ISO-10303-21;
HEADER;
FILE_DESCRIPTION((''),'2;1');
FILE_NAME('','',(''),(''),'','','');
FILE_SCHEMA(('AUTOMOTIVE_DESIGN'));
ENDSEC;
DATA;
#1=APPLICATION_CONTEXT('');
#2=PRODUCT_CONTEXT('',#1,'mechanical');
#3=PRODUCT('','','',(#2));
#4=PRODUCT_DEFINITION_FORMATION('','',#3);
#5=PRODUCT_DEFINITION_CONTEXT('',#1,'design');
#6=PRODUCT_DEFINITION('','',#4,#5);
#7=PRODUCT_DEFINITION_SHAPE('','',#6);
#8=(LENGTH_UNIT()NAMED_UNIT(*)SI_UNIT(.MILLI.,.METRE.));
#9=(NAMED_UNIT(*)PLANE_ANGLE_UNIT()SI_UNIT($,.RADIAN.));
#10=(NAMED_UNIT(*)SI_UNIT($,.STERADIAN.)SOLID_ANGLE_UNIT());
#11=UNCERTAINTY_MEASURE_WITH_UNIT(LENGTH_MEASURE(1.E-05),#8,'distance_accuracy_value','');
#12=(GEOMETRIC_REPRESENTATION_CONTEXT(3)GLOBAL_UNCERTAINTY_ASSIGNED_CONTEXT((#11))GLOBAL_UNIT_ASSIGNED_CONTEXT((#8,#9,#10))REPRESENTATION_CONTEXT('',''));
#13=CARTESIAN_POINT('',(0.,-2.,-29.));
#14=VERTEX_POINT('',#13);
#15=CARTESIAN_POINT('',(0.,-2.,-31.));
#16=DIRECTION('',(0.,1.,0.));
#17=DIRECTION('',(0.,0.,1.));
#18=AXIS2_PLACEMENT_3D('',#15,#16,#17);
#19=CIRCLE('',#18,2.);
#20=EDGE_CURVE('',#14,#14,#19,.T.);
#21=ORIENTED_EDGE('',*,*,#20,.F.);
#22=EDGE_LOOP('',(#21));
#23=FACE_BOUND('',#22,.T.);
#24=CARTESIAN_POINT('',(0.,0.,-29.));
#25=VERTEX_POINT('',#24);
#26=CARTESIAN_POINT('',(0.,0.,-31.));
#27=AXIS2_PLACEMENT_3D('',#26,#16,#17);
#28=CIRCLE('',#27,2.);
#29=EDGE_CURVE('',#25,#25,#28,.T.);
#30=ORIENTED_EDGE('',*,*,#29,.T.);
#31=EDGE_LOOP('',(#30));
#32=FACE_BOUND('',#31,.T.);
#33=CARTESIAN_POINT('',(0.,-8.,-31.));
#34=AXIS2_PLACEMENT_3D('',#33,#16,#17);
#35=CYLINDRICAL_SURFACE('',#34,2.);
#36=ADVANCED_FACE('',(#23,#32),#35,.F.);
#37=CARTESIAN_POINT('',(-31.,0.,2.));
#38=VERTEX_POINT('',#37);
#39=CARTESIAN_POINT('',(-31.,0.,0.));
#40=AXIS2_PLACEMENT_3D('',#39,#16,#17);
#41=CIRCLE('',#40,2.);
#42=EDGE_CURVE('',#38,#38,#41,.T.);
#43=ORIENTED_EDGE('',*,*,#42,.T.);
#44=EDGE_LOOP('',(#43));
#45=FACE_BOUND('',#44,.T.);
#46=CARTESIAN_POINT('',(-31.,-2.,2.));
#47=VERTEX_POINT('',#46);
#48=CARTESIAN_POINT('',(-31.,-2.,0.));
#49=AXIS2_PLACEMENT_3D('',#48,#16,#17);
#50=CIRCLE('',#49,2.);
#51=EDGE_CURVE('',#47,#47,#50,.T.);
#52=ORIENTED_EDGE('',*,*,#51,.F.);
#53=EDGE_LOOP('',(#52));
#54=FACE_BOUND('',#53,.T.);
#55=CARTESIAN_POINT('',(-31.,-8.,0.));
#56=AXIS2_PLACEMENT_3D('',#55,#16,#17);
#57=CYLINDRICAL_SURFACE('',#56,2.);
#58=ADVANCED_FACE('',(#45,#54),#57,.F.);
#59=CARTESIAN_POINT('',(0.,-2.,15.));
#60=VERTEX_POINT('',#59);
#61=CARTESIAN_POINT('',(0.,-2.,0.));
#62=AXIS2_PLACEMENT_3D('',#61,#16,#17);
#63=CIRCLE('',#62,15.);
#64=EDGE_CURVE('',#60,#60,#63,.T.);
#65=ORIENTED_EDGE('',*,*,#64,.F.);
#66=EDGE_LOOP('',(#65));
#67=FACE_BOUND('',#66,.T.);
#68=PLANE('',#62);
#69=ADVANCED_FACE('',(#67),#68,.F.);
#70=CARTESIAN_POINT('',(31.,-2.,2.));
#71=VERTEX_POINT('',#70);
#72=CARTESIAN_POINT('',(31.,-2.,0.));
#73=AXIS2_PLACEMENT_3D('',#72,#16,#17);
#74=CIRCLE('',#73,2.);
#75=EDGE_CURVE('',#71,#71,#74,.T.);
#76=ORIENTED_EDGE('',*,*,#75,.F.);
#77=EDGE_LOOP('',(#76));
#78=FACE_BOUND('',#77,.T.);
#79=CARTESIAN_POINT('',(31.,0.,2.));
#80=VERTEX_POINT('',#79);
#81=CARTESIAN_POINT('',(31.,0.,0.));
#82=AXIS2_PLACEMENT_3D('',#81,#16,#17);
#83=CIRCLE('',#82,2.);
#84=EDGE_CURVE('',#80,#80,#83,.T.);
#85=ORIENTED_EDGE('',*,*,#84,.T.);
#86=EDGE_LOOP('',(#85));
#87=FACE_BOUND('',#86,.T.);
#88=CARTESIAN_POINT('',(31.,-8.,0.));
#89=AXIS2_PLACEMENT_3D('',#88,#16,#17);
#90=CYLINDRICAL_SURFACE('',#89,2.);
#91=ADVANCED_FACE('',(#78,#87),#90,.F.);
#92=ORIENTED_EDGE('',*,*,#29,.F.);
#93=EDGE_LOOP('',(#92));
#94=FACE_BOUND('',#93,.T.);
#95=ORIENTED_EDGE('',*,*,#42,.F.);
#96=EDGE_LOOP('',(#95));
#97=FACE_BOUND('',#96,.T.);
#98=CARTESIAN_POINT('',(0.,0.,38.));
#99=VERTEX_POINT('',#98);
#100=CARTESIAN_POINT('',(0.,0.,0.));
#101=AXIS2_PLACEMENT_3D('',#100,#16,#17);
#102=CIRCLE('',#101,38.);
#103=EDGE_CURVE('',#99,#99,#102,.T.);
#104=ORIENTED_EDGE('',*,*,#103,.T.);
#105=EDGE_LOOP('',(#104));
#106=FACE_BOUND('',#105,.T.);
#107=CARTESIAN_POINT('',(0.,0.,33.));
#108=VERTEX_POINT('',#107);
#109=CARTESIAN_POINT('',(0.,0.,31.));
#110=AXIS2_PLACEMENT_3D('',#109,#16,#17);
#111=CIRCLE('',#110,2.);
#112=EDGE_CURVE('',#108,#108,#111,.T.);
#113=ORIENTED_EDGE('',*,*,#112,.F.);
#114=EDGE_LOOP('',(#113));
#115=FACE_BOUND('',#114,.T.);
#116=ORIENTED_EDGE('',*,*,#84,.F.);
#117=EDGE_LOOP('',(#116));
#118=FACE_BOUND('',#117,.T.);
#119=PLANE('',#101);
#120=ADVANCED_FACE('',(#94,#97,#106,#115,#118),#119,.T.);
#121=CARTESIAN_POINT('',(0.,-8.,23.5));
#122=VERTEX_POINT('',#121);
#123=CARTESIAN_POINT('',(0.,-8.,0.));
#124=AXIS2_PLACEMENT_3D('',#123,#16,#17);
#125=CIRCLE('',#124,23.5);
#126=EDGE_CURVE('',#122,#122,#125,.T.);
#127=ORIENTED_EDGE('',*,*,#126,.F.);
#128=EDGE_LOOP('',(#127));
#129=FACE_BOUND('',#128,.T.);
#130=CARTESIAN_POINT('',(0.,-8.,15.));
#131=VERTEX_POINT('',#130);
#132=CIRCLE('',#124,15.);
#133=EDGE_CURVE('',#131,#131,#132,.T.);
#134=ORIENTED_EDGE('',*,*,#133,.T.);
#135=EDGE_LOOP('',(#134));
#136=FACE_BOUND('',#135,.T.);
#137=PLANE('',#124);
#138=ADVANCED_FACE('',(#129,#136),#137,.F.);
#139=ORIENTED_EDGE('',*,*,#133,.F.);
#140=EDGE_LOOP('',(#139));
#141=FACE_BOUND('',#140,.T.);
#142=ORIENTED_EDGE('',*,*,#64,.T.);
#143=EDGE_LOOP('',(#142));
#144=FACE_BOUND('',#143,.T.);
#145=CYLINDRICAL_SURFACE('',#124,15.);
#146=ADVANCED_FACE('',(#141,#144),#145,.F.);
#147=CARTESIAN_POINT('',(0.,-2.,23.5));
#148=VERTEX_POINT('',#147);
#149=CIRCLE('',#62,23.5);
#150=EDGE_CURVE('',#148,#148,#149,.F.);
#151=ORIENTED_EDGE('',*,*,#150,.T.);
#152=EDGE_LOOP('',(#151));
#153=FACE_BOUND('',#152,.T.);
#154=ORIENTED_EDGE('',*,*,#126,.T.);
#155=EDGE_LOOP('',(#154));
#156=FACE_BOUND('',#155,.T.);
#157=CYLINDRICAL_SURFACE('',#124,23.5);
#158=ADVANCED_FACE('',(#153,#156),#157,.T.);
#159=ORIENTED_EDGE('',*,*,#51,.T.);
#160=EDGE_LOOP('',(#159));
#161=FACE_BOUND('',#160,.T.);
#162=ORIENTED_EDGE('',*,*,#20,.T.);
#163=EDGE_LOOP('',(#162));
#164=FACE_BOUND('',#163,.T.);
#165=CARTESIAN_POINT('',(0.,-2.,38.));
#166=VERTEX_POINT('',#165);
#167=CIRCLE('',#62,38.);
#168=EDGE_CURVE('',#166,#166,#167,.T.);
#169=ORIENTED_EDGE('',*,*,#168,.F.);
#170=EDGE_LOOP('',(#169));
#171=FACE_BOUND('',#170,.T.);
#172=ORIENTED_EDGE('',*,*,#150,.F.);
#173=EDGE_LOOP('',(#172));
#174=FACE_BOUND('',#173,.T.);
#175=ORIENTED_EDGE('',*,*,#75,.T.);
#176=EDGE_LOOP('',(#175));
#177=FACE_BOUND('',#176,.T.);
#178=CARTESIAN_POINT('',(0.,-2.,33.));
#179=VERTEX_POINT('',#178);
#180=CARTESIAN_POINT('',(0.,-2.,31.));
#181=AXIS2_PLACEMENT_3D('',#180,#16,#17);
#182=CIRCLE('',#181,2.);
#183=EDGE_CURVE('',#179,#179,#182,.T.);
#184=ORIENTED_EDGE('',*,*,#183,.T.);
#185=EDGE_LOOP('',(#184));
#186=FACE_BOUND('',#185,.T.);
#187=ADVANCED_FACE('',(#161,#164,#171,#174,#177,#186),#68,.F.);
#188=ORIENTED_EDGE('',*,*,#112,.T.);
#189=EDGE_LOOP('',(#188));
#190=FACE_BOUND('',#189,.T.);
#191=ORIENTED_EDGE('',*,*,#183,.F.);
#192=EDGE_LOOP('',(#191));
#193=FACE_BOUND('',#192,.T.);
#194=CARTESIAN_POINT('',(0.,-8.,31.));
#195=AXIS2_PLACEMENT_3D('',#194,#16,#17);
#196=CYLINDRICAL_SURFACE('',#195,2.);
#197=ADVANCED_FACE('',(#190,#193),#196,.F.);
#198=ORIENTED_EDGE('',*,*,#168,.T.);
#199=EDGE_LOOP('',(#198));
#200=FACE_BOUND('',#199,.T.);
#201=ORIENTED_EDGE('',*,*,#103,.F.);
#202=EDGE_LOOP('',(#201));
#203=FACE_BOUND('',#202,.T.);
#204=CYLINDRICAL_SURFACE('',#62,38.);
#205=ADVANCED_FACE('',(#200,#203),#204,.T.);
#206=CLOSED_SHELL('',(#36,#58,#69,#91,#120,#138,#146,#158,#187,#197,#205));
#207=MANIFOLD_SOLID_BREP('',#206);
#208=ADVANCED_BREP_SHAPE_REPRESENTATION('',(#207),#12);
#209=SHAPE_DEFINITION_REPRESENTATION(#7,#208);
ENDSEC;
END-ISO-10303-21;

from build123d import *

# Parameters (mm, degrees)
SKETCH1_R           = 23.5
BOSS_EXTRUDE1_DEPTH = 8
SKETCH2_R           = 38
BOSS_EXTRUDE2_DEPTH = 2
CUT_EXTRUDE1_START  = -2
SKETCH3_R           = 15
CUT_EXTRUDE1_DEPTH  = 53.332310829
SKETCH4_R           = 2
CUT_EXTRUDE2_DEPTH  = 55.332310829


with BuildPart() as part:
    # Sketch1 → Boss-Extrude1 (new body)
    with BuildSketch(Plane(origin=(0, 0, 0), x_dir=(1, 0, 0), z_dir=(0, 1, 0))):
        with Locations(Location((0, 0, 0), (0, 0, 270))):
            Circle(SKETCH1_R)
    extrude(amount=-BOSS_EXTRUDE1_DEPTH)

    # Sketch2 → Boss-Extrude2 (add)
    with BuildSketch(Plane(origin=(0, 0, 0), x_dir=(1, 0, 0), z_dir=(0, 1, 0))):
        with Locations(Location((0, 0, 0), (0, 0, 270))):
            Circle(SKETCH2_R)
    extrude(amount=-BOSS_EXTRUDE2_DEPTH)

    # Sketch3 → Cut-Extrude1 (cut, through all)
    with BuildSketch(Plane(origin=(0, 0, 0), x_dir=(1, 0, 0), z_dir=(0, 1, 0)).offset(CUT_EXTRUDE1_START)):
        with Locations(Location((0, 0, 0), (0, 0, 270))):
            Circle(SKETCH3_R)
    extrude(amount=-CUT_EXTRUDE1_DEPTH, mode=Mode.SUBTRACT)

    # Sketch4 → Cut-Extrude2 (cut, through all)
    with BuildSketch(Plane(origin=(0, 0, 0), x_dir=(1, 0, 0), z_dir=(0, 1, 0))):
        with Locations(Location((0, 31, 0), (0, 0, 270))):
            Circle(SKETCH4_R)
        with Locations(Location((31, 0, 0), (0, 0, 270))):
            Circle(SKETCH4_R)
        with Locations(Location((0, -31, 0), (0, 0, 270))):
            Circle(SKETCH4_R)
        with Locations(Location((-31, 0, 0), (0, 0, 270))):
            Circle(SKETCH4_R)
    extrude(amount=-CUT_EXTRUDE2_DEPTH, mode=Mode.SUBTRACT)


solid = part.part
